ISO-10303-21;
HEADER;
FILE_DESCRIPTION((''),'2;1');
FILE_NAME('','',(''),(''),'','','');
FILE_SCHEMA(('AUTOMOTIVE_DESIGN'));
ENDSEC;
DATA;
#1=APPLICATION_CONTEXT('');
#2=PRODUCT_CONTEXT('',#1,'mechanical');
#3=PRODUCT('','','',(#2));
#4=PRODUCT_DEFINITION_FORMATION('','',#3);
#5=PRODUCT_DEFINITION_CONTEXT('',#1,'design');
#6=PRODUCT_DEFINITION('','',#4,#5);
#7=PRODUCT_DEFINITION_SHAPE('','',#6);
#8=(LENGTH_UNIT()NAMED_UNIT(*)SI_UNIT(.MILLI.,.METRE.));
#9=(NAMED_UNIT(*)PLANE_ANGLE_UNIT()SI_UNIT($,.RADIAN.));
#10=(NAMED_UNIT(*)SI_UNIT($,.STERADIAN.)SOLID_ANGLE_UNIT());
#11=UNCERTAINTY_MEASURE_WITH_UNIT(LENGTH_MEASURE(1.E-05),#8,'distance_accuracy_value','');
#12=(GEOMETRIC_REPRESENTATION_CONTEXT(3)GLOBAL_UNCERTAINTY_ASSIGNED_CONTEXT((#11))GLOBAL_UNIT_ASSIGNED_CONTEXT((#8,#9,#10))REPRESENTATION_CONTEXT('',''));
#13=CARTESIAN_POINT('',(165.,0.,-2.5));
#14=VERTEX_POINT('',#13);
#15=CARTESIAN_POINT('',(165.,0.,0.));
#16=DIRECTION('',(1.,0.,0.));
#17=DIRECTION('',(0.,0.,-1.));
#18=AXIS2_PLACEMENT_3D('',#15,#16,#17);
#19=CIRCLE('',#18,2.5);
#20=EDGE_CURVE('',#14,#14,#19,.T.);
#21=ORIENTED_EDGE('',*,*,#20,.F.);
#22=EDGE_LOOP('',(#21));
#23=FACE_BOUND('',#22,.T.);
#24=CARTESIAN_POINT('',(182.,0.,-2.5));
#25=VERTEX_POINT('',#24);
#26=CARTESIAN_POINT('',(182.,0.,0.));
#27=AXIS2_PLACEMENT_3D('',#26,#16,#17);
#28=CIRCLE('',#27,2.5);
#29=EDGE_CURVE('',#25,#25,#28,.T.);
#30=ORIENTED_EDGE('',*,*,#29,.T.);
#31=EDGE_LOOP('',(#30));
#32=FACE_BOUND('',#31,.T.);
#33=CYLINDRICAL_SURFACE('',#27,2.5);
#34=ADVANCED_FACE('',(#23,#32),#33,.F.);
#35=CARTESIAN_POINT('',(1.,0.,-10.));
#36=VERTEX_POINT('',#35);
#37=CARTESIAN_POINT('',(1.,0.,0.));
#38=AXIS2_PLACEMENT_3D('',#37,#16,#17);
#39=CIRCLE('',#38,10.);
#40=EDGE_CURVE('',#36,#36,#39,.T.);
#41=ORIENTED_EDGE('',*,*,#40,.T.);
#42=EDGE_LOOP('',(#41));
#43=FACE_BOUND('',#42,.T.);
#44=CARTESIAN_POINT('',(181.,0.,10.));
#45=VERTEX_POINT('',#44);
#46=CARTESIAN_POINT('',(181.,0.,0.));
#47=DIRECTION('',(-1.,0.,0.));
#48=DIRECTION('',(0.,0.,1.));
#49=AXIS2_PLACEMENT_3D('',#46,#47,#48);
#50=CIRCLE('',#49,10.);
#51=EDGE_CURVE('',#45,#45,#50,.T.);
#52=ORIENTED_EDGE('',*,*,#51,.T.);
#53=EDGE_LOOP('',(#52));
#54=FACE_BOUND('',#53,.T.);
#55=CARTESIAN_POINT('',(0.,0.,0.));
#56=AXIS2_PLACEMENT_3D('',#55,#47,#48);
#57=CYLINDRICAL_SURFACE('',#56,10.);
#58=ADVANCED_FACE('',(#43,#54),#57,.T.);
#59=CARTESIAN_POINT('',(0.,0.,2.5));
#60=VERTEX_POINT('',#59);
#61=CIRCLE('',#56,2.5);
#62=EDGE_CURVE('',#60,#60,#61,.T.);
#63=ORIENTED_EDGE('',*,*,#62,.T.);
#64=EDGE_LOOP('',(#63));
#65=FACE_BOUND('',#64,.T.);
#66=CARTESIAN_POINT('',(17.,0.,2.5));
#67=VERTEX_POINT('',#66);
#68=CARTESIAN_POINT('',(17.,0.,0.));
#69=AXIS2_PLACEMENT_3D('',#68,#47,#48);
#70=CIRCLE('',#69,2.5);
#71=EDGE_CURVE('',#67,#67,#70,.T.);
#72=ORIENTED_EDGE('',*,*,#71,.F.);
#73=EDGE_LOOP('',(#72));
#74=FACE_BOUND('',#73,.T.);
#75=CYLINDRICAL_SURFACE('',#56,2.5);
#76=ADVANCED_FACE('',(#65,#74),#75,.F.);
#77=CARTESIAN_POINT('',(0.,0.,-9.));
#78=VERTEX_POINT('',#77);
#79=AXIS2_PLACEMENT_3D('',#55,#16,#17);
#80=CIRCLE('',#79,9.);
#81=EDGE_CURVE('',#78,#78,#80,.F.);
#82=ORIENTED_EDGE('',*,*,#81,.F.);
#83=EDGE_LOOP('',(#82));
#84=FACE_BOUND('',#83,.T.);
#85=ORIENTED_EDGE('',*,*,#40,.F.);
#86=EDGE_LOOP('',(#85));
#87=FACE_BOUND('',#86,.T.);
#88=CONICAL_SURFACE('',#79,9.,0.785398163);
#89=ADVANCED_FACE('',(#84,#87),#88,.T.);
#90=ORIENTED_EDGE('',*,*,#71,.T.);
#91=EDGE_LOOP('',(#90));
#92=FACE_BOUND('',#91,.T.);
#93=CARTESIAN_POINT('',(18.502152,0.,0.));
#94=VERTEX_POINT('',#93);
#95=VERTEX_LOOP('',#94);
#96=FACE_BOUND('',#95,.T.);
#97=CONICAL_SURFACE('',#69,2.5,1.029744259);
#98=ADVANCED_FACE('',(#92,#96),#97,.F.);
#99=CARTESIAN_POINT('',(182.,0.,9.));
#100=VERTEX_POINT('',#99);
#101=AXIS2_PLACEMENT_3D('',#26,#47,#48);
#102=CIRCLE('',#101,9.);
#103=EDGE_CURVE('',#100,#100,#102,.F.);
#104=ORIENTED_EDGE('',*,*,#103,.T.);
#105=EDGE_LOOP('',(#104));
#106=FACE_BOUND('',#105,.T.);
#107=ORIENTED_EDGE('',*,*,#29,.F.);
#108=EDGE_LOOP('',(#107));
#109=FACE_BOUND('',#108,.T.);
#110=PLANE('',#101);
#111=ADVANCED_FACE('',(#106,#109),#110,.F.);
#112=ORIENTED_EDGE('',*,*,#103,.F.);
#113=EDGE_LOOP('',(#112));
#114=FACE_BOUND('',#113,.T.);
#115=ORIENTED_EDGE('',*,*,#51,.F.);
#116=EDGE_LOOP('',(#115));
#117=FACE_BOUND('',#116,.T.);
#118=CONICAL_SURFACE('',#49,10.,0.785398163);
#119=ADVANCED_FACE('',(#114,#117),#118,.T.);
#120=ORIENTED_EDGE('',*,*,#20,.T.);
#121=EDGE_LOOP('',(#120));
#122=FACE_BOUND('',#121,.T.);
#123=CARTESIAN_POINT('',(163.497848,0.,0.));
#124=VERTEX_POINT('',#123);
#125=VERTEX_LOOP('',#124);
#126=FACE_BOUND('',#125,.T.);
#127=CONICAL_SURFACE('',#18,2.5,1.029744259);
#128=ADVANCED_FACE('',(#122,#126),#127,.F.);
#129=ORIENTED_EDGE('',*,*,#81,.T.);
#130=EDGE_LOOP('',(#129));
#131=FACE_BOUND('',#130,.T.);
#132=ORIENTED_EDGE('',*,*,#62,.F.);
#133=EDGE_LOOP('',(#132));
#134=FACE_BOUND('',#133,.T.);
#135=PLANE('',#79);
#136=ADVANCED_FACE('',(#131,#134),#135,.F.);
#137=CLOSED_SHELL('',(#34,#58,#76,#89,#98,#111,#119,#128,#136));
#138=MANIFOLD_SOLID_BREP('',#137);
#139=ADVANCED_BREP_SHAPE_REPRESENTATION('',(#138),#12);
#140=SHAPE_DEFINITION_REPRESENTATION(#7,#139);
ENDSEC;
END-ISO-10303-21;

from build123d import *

# Parameters (mm, degrees)
ESBO_O1_W                 = 182
ESBO_O1_H                 = 10
CHANFRO1_SIZE             = 1
FURO_ROSCADO_DE_M61_D     = 5
FURO_ROSCADO_DE_M61_DEPTH = 17
FURO_ROSCADO_DE_M61_TIP   = 1.502151548
FURO_ROSCADO_DE_M62_D     = 5
FURO_ROSCADO_DE_M62_DEPTH = 17
FURO_ROSCADO_DE_M62_TIP   = 1.502151548


with BuildPart() as part:
    # Esboço1 → Revolução1 (revolve)
    with BuildSketch(Plane.XY, mode=Mode.PRIVATE) as revolu_o1_sk:
        with Locations((91, 5)):
            Rectangle(ESBO_O1_W, ESBO_O1_H)
    revolve(revolu_o1_sk.sketch.rotate(Axis((0, 0, 0), (1, 0, 0)), 90), axis=Axis((0, 0, 0), (1, 0, 0)))

    # Chanfro1
    chanfro1_edges = [part.edges().sort_by_distance(p)[0] for p in [
        (182, 0, -10),
        (0, 0, -10),
    ]]
    chamfer(chanfro1_edges, length=CHANFRO1_SIZE)

    # Furo roscado de M61
    with Locations(Plane(origin=(182, 0, 0), x_dir=(0, 0, -1), z_dir=(1, 0, 0))):
        with Locations((0, 0)):
            Hole(FURO_ROSCADO_DE_M61_D / 2, depth=FURO_ROSCADO_DE_M61_DEPTH)
            with Locations((0, 0, -(FURO_ROSCADO_DE_M61_DEPTH + FURO_ROSCADO_DE_M61_TIP / 2))):  # 118° drill point
                Cone(0, FURO_ROSCADO_DE_M61_D / 2, FURO_ROSCADO_DE_M61_TIP, mode=Mode.SUBTRACT)

    # Furo roscado de M62
    with Locations(Plane.ZY):
        with Locations((0, 0)):
            Hole(FURO_ROSCADO_DE_M62_D / 2, depth=FURO_ROSCADO_DE_M62_DEPTH)
            with Locations((0, 0, -(FURO_ROSCADO_DE_M62_DEPTH + FURO_ROSCADO_DE_M62_TIP / 2))):  # 118° drill point
                Cone(0, FURO_ROSCADO_DE_M62_D / 2, FURO_ROSCADO_DE_M62_TIP, mode=Mode.SUBTRACT)


solid = part.part
